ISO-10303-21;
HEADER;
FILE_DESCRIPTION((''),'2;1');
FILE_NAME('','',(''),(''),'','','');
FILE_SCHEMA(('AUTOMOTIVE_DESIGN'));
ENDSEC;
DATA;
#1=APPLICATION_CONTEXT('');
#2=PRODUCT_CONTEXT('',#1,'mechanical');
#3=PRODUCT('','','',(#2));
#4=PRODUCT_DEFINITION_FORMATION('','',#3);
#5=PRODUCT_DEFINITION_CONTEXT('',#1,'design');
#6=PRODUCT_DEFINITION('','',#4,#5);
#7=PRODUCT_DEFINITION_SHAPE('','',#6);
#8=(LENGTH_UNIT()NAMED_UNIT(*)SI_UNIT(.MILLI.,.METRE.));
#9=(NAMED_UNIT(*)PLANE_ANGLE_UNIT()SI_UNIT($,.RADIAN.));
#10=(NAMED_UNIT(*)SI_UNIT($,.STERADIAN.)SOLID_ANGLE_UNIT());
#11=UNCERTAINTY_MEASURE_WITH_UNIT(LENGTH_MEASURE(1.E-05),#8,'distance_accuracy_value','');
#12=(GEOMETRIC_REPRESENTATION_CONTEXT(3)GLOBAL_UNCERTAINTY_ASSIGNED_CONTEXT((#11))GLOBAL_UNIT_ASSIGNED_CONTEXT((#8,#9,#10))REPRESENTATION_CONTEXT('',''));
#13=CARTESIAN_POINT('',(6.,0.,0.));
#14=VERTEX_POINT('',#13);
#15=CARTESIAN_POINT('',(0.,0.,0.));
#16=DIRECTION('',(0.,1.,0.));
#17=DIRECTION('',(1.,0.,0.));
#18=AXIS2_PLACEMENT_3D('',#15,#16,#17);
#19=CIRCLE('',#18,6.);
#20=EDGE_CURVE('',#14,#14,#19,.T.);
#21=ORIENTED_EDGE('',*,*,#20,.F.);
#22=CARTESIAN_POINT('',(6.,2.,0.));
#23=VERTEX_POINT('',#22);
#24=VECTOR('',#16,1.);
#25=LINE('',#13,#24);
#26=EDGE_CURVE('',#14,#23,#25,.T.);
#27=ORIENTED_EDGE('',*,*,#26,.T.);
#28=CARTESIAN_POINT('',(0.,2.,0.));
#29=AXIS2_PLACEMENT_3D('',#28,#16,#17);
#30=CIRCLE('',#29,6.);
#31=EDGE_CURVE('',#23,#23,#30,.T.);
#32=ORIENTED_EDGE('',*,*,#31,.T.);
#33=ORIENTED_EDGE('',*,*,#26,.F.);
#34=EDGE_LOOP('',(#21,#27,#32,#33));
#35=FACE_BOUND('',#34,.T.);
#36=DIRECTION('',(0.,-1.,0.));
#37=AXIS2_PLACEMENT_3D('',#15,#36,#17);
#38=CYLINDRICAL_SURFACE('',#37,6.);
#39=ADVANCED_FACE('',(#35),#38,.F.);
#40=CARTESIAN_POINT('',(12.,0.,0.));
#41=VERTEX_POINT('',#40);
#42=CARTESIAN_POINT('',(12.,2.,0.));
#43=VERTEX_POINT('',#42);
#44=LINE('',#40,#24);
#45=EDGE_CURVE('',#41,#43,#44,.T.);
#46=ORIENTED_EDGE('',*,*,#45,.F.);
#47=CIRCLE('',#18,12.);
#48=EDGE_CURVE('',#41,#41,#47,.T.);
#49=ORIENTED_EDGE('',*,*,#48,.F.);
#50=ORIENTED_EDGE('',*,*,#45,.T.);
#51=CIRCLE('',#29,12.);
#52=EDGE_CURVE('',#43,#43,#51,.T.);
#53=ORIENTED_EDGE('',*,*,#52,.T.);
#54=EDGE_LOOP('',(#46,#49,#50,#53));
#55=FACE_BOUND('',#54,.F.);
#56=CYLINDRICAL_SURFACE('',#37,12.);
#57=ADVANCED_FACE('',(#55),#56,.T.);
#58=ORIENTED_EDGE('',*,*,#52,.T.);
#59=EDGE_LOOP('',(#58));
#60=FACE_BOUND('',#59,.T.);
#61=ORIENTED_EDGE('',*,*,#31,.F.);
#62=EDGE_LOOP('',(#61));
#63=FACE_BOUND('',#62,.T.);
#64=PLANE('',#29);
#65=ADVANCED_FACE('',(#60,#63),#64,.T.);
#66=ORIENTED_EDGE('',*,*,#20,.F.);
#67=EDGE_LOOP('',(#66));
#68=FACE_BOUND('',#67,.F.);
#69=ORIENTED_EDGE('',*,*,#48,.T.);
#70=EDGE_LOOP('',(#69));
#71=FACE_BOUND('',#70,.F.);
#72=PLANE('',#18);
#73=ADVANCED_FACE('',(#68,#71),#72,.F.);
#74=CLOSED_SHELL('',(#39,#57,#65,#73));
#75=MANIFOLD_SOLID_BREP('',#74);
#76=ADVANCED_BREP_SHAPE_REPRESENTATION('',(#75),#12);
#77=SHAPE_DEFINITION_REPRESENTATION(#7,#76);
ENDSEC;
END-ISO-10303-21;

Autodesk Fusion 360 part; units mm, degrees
sketch "Sketch1" plane through (0, 0, 0) normal (0, 1, 0) x (1, 0, 0)
  circle A0 centre (0, 0) radius 6
  circle A1 centre (0, 0) radius 12
  dimension "d1" = 12
  dimension "d2" = 24
extrude "Extrude1" add sketch "Sketch1" along normal blind 2
